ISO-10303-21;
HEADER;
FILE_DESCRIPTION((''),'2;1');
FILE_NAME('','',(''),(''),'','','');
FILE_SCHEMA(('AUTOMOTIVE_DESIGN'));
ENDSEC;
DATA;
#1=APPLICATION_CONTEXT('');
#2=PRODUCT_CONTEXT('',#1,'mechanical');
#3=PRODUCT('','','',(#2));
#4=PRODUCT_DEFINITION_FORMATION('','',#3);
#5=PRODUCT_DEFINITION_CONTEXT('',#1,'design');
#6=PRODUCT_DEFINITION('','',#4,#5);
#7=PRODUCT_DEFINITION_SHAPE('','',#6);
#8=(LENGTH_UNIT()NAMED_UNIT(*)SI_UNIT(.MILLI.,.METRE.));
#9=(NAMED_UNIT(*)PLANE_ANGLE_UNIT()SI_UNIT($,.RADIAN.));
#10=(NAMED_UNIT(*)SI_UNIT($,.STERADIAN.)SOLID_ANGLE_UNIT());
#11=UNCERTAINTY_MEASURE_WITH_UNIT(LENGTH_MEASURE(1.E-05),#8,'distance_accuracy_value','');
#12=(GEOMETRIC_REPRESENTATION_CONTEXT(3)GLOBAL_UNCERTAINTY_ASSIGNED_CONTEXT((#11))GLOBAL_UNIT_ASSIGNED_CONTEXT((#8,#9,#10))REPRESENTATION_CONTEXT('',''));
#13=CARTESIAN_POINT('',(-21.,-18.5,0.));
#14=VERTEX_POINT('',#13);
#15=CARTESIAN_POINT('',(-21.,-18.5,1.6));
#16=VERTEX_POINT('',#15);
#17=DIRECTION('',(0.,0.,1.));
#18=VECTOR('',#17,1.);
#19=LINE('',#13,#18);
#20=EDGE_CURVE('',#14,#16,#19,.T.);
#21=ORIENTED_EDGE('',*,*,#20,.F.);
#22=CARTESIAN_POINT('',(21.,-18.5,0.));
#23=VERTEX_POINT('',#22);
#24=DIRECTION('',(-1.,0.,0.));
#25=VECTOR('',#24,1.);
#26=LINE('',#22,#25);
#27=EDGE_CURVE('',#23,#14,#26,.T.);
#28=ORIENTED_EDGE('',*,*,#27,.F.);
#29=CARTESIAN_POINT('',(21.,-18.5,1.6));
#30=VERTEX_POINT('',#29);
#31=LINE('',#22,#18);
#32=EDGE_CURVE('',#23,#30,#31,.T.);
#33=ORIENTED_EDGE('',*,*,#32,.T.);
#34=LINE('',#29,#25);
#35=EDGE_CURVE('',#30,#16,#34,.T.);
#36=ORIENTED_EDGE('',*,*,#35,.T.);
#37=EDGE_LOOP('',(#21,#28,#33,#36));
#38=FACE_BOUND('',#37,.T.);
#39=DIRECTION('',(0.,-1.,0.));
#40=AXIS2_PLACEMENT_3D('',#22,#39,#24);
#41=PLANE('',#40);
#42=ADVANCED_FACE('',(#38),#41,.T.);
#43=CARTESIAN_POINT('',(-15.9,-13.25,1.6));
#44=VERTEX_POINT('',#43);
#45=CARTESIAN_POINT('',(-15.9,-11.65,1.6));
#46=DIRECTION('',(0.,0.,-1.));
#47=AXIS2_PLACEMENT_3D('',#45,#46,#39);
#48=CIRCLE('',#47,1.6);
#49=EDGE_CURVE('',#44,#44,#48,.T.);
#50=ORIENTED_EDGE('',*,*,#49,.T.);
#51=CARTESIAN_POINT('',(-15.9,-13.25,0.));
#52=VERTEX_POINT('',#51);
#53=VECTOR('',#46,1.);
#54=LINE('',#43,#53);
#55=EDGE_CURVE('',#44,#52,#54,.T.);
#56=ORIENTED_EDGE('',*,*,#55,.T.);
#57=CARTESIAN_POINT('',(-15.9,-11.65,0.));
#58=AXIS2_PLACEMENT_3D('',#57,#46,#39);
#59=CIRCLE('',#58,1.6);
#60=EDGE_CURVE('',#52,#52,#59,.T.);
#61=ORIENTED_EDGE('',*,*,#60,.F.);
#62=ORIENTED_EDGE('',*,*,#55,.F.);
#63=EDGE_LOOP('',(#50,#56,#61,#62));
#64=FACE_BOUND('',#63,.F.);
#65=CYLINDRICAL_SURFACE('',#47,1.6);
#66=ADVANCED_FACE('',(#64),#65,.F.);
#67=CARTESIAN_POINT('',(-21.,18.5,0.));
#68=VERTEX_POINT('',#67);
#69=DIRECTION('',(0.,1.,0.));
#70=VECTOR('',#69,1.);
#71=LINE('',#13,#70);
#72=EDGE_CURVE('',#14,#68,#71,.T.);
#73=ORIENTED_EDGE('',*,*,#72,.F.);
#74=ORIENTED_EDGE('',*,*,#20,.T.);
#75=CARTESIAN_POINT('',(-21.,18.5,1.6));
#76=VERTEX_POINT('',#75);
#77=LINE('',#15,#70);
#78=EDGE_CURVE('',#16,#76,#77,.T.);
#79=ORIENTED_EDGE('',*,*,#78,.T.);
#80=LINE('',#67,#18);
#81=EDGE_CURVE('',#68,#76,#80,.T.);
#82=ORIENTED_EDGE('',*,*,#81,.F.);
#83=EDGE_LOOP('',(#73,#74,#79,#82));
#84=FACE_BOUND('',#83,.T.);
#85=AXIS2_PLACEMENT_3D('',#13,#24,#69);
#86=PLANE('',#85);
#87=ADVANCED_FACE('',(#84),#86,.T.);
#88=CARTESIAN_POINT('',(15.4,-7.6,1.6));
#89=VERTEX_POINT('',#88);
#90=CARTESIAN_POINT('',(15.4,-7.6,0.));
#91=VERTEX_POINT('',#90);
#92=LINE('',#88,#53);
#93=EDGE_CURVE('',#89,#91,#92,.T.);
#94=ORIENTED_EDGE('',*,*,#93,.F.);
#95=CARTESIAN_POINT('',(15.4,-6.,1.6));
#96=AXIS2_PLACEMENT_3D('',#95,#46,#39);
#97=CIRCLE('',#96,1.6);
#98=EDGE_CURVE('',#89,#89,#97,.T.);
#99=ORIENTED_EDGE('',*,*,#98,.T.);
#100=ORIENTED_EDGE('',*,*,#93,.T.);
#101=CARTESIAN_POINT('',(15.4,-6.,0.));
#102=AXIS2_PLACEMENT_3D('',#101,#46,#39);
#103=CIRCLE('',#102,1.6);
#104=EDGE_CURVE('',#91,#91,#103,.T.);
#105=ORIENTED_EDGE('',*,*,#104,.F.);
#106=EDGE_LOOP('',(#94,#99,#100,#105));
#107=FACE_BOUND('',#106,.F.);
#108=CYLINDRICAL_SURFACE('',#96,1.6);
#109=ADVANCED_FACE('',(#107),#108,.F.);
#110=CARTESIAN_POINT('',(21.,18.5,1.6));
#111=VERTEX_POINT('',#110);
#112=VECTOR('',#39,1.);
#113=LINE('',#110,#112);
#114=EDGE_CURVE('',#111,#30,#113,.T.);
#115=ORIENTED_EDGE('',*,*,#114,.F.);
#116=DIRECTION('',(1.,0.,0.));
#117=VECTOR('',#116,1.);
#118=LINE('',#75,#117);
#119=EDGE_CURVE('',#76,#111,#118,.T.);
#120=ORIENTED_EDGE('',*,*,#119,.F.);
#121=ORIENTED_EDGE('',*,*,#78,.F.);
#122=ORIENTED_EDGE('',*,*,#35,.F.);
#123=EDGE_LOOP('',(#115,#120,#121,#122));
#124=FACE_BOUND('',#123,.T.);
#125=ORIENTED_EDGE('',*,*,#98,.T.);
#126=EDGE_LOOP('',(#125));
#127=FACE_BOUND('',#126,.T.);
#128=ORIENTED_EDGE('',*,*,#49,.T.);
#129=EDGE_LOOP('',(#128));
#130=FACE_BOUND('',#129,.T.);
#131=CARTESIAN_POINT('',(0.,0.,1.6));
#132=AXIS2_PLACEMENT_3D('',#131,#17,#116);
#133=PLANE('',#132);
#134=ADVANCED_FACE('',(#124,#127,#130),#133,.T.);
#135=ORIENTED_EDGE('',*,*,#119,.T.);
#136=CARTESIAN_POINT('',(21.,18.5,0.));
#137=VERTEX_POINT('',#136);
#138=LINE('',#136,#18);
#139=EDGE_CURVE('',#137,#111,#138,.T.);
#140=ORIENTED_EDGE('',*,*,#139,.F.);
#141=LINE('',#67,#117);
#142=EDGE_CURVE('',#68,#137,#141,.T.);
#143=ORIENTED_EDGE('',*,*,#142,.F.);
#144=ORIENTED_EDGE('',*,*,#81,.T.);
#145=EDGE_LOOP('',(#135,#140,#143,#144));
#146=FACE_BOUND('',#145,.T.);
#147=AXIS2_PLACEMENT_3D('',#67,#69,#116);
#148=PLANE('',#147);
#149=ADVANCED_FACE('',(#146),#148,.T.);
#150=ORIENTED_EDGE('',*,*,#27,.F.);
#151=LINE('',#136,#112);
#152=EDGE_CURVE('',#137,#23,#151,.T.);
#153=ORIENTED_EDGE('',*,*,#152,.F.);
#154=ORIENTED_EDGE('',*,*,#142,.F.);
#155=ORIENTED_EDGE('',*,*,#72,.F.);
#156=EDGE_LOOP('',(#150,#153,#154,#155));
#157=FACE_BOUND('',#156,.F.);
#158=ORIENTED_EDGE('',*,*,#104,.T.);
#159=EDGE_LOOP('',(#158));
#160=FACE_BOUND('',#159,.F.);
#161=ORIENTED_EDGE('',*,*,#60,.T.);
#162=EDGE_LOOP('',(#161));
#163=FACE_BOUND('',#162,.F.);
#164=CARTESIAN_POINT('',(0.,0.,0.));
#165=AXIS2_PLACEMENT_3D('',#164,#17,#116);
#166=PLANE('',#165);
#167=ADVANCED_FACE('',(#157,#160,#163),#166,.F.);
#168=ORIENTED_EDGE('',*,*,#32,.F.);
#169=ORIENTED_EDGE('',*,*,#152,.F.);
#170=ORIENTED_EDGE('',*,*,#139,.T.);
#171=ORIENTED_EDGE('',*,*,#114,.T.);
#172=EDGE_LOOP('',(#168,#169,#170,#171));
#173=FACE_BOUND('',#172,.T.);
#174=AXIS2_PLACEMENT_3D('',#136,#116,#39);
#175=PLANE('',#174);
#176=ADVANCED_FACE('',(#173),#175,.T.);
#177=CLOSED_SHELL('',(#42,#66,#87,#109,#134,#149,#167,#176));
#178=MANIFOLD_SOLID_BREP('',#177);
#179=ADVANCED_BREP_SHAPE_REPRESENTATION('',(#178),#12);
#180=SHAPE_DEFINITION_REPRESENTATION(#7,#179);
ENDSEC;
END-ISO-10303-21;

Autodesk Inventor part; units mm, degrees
ref_plane "YZ Plane" through (0, 0, 0) normal (1, 0, 0) x (0, 1, 0)
ref_plane "XZ Plane" through (0, 0, 0) normal (0, 1, 0) x (-1, 0, 0)
ref_plane "XY Plane" through (0, 0, 0) normal (0, 0, 1) x (1, 0, 0)
sketch "Sketch1" plane through (0, 0, 0) normal (0, 0, 1) x (1, 0, 0)
  line L0 (-21, 18.5) -> (21, 18.5)
  line L1 (21, 18.5) -> (21, -18.5)
  line L2 (21, -18.5) -> (-21, -18.5)
  line L3 (-21, -18.5) -> (-21, 18.5)
  line L4 (0, 0) -> (0, 18.5) construction
  line L5 (0, 0) -> (0, -18.5) construction
  line L6 (0, 0) -> (21, 0) construction
  line L7 (0, 0) -> (-21, 0) construction
  dimension "d0" = 42
  dimension "d1" = 37
extrude "Extrusion1" add sketch "Sketch1" along normal blind 1.6
sketch "Sketch2" plane through (0, 0, 1.6) normal (0, 0, 1) x (1, 0, 0)
  line L0 (21, 18.5) -> (21, -18.5) projected
  line L1 (-21, 18.5) -> (21, 18.5) projected
  line L2 (-21, -18.5) -> (-21, 18.5) projected
  line L3 (21, -18.5) -> (-21, -18.5) projected
sketch "Sketch3" plane through (0, 0, 1.6) normal (0, 0, 1) x (1, 0, 0)
  line L0 (21, 18.5) -> (21, -18.5) projected
  line L1 (-21, -18.5) -> (-21, 18.5) projected
  line L2 (21, -18.5) -> (-21, -18.5) projected
  point P0 (-15.9, -11.65)
  point P1 (15.4, -6)
  dimension "d4" = 5.1
  dimension "d5" = 6.85
  dimension "d6" = 5.6
  dimension "d7" = 12.5
hole "Hole1" at (-15.9, -11.65, 1.6) at (15.4, -6, 1.6) direction (0, 0, -1) diameter 3.2 end through all
properties part number "Spike PCB" material "Phenolic"
